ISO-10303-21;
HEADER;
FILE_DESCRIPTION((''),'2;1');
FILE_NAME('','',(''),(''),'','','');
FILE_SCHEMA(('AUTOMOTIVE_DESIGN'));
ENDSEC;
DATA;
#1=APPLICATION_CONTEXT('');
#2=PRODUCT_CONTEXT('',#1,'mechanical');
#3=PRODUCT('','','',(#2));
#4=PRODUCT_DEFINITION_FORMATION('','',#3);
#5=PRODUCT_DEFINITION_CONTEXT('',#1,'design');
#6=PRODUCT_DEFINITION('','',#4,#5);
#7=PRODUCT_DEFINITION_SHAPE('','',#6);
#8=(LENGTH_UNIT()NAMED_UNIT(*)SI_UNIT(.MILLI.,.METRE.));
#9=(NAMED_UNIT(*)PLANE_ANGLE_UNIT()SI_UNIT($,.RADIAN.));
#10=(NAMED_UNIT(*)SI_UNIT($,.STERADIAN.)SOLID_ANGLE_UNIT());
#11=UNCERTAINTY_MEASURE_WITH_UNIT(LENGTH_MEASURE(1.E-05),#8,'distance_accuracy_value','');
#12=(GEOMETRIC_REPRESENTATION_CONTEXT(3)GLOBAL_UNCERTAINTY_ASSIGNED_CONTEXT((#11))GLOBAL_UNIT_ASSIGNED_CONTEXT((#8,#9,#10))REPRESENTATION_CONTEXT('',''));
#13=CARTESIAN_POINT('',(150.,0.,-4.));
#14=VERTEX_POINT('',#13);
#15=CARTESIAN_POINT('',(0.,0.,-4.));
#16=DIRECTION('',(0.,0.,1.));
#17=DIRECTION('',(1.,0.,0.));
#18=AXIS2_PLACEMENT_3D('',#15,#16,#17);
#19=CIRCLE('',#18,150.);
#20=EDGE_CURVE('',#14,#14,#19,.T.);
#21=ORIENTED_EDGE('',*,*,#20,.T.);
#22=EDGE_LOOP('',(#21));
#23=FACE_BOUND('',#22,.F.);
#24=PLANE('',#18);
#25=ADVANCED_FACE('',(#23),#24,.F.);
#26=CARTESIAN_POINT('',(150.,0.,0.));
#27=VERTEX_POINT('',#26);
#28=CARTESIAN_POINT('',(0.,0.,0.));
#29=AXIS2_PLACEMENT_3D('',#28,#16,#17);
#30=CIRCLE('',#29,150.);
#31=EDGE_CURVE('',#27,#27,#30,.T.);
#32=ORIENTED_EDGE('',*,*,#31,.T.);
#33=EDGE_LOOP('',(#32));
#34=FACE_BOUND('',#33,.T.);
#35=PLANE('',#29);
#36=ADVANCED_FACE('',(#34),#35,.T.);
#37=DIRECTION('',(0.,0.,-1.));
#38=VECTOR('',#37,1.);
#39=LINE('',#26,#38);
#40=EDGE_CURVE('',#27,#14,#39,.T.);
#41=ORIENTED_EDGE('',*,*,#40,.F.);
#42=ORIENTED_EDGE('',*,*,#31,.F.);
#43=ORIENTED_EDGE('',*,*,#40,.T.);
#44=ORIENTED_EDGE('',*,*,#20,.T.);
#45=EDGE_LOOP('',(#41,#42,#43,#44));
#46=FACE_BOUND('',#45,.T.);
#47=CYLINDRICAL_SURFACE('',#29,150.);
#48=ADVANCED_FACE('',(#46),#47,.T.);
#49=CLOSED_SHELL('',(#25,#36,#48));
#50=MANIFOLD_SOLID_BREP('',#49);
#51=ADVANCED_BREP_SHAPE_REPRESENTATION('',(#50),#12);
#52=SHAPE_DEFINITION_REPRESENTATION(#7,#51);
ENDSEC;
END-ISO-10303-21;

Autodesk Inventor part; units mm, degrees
ref_plane "YZ Plane" through (0, 0, 0) normal (1, 0, 0) x (0, 1, 0)
ref_plane "XZ Plane" through (0, 0, 0) normal (0, 1, 0) x (-1, 0, 0)
ref_plane "XY Plane" through (0, 0, 0) normal (0, 0, 1) x (1, 0, 0)
sketch "Sketch1" plane through (0, 0, 0) normal (0, 0, 1) x (1, 0, 0)
  circle A0 centre (0, 0) radius 150
  dimension "d0" = 300
extrude "Extrusion1" add sketch "Sketch1" against normal blind 4
properties part number "printingPlatform"
